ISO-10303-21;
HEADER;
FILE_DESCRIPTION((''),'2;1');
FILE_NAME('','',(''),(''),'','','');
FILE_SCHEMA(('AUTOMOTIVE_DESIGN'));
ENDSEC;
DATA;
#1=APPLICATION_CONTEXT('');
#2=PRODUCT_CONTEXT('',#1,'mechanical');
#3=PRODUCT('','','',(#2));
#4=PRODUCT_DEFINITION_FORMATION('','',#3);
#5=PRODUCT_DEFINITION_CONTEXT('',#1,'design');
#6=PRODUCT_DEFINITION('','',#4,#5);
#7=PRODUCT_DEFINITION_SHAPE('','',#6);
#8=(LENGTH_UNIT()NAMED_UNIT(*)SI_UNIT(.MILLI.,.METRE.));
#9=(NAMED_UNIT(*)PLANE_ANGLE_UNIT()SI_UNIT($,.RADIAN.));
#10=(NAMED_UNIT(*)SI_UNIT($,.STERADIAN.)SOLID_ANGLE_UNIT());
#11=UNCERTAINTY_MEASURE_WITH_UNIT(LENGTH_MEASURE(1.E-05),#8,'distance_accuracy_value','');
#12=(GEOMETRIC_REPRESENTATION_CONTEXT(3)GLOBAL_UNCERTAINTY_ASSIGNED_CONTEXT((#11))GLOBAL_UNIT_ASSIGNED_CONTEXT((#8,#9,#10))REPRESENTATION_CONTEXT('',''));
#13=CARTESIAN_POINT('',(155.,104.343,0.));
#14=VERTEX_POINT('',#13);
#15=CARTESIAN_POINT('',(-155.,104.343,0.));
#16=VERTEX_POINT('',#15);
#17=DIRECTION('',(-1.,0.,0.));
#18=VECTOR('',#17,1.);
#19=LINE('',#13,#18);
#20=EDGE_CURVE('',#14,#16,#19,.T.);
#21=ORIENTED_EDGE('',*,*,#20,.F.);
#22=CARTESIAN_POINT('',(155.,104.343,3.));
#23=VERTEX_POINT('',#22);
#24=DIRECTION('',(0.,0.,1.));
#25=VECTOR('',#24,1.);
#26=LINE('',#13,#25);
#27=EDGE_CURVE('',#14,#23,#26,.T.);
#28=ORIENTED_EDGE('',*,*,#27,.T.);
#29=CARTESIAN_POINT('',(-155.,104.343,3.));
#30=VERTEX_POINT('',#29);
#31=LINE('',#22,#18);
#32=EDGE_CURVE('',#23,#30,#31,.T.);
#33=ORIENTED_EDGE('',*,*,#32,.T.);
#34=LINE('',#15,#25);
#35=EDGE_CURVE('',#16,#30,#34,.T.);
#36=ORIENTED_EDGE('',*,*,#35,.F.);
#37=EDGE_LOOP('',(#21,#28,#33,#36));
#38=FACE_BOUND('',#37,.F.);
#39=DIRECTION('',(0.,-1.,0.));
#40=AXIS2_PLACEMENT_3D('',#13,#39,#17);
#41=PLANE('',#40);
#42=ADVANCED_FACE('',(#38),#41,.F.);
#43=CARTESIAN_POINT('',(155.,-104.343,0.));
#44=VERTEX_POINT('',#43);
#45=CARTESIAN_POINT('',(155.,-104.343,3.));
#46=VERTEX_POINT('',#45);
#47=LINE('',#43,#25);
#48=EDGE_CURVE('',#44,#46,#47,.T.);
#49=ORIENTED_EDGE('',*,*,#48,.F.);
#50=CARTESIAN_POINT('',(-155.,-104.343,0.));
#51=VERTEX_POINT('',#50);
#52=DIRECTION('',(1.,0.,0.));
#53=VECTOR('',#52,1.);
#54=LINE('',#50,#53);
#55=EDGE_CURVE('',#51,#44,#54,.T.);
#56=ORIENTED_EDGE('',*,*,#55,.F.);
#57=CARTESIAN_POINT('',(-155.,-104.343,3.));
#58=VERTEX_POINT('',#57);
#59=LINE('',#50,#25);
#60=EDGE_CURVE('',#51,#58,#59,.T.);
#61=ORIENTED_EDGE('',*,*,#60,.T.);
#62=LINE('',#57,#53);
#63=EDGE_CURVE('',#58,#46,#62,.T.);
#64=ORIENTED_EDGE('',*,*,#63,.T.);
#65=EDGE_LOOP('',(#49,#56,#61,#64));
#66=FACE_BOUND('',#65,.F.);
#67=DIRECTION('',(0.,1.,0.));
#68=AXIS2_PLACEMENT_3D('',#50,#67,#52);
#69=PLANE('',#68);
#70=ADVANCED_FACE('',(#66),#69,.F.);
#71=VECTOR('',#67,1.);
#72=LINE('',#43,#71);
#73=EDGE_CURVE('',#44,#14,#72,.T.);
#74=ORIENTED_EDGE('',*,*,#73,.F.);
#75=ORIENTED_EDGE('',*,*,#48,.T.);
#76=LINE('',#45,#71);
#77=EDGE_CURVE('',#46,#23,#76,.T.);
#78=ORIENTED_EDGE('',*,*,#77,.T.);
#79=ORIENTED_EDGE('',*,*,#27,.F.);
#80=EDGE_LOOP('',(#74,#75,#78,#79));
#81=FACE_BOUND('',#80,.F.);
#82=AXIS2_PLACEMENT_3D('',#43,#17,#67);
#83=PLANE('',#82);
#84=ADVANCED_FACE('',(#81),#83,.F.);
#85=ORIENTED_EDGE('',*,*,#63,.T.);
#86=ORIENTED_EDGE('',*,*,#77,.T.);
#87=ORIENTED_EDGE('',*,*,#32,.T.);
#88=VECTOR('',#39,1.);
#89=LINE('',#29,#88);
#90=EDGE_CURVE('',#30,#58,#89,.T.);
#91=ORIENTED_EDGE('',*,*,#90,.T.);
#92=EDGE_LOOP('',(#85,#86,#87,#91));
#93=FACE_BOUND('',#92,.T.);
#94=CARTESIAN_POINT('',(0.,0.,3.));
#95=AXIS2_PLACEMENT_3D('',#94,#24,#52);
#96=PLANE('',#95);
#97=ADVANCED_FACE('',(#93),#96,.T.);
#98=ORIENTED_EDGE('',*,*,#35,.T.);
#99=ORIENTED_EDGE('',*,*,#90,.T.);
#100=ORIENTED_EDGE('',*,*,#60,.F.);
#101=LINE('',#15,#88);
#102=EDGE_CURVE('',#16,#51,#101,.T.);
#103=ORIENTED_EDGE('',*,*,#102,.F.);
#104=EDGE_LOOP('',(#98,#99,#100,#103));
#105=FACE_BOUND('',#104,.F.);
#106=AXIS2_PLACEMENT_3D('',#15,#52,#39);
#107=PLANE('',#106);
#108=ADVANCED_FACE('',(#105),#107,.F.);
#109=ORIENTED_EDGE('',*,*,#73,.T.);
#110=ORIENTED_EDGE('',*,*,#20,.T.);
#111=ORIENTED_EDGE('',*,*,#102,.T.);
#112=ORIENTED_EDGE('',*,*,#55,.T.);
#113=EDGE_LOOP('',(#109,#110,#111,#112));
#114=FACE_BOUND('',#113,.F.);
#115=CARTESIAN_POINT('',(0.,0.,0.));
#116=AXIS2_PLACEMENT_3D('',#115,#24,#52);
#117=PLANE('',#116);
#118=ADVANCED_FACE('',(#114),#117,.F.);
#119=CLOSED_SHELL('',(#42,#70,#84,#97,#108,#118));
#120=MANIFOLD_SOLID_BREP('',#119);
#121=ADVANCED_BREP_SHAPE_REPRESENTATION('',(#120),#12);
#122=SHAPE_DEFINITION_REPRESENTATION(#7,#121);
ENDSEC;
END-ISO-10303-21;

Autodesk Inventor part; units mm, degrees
ref_plane "YZ Plane" through (0, 0, 0) normal (1, 0, 0) x (0, 1, 0)
ref_plane "XZ Plane" through (0, 0, 0) normal (0, 1, 0) x (-1, 0, 0)
ref_plane "XY Plane" through (0, 0, 0) normal (0, 0, 1) x (1, 0, 0)
sketch "Sketch6" plane through (0, 0, 0) normal (0, 0, 1) x (1, 0, 0)
  line L0 (155, 104.343) -> (-155, 104.343)
  line L1 (-155, 104.343) -> (-155, -104.343)
  line L2 (-155, -104.343) -> (155, -104.343)
  line L3 (155, -104.343) -> (155, 104.343)
  line L4 (155, 104.343) -> (-155, -104.343) construction
  line L5 (-155, 104.343) -> (155, -104.343) construction
  point P0 (0, 0)
  dimension "d40" = 310
  dimension "d41" = 208.686
extrude "Plate5" add sketch "Sketch6" along normal blind 3
equation "\"d42\" = Thickness"
equation "\"BendReliefWidth\" = Thickness"
equation "\"BendReliefDepth\" = 0.5 * Thickness"
equation "\"CornerReliefSize\" = 4 * Thickness"
equation "\"MinimumRemnant\" = 2 * Thickness"
equation "\"TransitionRadius\" = BendRadius"
equation "\"JacobiRadiusSize\" = BendRadius"
equation "\"GapSize\" = Thickness"
equation "\"Thickness\" = 3"
equation "\"BendRadius\" = 5"
properties part number "BSH 017 small detail floor" material "09g2s"
